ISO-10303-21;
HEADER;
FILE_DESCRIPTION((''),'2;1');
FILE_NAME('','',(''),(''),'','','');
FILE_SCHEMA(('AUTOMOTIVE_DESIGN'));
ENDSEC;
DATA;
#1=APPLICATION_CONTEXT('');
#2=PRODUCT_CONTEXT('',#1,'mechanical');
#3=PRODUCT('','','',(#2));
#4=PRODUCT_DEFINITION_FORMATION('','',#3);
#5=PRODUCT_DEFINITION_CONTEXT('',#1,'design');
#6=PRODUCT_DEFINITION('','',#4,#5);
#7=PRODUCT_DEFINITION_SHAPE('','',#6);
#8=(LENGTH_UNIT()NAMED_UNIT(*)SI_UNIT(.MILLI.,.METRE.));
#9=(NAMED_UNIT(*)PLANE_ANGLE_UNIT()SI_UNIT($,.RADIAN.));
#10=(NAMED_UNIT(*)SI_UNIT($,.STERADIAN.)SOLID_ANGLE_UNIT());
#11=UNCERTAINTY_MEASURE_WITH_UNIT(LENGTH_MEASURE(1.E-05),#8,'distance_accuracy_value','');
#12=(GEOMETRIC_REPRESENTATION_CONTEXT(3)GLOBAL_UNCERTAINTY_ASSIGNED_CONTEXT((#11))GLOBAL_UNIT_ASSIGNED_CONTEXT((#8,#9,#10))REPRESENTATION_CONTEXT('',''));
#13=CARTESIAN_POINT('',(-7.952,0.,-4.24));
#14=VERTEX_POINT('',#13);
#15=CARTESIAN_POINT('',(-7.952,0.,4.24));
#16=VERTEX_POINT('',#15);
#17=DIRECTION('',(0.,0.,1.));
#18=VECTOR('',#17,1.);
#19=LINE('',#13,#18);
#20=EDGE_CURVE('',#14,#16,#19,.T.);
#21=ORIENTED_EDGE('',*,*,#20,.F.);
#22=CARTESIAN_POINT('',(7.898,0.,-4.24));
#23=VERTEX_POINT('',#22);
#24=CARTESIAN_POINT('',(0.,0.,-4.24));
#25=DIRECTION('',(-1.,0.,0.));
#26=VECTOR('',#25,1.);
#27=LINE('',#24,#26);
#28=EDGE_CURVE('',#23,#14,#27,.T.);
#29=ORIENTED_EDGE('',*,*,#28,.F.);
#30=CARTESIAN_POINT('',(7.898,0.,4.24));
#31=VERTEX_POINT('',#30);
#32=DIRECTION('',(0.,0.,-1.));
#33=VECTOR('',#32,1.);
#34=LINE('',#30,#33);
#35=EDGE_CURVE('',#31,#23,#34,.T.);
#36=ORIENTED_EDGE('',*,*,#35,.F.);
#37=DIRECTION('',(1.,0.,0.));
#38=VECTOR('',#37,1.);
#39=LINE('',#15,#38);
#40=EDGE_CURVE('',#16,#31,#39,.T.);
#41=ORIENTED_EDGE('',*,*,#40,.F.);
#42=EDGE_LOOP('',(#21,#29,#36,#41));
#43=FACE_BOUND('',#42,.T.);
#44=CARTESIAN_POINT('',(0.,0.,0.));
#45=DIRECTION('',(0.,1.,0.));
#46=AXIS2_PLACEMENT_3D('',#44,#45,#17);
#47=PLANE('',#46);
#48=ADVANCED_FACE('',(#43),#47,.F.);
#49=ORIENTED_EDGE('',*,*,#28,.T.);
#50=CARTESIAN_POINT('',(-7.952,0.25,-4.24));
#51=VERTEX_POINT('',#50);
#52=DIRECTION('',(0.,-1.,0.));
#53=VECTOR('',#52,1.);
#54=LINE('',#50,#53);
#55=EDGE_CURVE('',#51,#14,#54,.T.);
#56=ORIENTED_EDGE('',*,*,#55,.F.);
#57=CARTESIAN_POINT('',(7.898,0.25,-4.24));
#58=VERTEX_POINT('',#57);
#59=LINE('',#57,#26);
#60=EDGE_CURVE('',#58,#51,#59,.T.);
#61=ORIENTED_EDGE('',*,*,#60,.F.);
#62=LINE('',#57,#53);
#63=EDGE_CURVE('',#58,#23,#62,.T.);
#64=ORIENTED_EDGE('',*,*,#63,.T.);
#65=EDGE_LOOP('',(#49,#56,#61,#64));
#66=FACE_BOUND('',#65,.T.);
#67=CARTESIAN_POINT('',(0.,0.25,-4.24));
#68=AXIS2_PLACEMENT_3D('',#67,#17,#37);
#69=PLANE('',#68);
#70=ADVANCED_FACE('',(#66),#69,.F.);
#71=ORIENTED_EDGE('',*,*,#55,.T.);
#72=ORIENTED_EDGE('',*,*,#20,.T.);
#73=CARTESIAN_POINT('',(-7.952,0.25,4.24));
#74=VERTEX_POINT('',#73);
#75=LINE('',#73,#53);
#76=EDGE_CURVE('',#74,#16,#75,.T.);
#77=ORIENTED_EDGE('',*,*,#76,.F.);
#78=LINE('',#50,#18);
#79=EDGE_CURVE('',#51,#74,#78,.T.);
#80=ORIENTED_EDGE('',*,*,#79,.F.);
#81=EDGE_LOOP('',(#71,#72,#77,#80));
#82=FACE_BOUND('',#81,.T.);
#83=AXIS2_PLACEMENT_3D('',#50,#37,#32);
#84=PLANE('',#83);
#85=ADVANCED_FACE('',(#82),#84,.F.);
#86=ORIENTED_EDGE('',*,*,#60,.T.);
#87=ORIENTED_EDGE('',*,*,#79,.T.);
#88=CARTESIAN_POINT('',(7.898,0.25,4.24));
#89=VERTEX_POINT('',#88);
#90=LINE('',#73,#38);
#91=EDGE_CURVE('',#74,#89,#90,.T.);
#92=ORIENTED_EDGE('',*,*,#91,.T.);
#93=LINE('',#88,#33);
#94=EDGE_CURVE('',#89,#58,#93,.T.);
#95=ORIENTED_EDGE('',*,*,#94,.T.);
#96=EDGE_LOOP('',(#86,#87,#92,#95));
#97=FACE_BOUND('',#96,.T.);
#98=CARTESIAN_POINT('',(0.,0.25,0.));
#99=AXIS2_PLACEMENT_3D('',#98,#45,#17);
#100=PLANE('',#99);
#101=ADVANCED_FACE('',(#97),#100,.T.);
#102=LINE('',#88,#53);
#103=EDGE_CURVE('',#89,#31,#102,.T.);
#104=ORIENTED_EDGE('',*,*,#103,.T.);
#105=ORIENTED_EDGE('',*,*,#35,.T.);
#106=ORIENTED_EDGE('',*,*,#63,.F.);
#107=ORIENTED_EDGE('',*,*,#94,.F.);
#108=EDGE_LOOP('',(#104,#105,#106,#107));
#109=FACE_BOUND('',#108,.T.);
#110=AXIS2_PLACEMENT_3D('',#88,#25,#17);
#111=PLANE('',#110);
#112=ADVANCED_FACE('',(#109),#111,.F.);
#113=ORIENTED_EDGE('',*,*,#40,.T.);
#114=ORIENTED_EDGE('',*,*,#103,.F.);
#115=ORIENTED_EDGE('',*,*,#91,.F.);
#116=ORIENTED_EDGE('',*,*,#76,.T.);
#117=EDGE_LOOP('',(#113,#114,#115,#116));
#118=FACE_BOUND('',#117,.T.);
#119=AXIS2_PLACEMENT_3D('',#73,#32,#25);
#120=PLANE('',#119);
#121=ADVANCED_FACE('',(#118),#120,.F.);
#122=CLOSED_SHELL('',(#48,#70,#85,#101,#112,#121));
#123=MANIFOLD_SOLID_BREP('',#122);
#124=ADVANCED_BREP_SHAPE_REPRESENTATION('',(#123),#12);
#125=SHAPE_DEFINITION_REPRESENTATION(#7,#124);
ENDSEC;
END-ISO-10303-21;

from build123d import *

# Parameters (mm, degrees)
BOSS_EXTRUDE1_DEPTH = 0.25


with BuildPart() as part:
    # Sketch1 → Boss-Extrude1 (new body)
    with BuildSketch(Plane(origin=(0, 0, 0), x_dir=(1, 0, 0), z_dir=(0, 1, 0))):
        Polygon((7.898, 4.24), (0, 4.24), (-7.952, 4.24), (-7.952, -4.24), (7.898, -4.24), align=None)
    extrude(amount=BOSS_EXTRUDE1_DEPTH)


solid = part.part
